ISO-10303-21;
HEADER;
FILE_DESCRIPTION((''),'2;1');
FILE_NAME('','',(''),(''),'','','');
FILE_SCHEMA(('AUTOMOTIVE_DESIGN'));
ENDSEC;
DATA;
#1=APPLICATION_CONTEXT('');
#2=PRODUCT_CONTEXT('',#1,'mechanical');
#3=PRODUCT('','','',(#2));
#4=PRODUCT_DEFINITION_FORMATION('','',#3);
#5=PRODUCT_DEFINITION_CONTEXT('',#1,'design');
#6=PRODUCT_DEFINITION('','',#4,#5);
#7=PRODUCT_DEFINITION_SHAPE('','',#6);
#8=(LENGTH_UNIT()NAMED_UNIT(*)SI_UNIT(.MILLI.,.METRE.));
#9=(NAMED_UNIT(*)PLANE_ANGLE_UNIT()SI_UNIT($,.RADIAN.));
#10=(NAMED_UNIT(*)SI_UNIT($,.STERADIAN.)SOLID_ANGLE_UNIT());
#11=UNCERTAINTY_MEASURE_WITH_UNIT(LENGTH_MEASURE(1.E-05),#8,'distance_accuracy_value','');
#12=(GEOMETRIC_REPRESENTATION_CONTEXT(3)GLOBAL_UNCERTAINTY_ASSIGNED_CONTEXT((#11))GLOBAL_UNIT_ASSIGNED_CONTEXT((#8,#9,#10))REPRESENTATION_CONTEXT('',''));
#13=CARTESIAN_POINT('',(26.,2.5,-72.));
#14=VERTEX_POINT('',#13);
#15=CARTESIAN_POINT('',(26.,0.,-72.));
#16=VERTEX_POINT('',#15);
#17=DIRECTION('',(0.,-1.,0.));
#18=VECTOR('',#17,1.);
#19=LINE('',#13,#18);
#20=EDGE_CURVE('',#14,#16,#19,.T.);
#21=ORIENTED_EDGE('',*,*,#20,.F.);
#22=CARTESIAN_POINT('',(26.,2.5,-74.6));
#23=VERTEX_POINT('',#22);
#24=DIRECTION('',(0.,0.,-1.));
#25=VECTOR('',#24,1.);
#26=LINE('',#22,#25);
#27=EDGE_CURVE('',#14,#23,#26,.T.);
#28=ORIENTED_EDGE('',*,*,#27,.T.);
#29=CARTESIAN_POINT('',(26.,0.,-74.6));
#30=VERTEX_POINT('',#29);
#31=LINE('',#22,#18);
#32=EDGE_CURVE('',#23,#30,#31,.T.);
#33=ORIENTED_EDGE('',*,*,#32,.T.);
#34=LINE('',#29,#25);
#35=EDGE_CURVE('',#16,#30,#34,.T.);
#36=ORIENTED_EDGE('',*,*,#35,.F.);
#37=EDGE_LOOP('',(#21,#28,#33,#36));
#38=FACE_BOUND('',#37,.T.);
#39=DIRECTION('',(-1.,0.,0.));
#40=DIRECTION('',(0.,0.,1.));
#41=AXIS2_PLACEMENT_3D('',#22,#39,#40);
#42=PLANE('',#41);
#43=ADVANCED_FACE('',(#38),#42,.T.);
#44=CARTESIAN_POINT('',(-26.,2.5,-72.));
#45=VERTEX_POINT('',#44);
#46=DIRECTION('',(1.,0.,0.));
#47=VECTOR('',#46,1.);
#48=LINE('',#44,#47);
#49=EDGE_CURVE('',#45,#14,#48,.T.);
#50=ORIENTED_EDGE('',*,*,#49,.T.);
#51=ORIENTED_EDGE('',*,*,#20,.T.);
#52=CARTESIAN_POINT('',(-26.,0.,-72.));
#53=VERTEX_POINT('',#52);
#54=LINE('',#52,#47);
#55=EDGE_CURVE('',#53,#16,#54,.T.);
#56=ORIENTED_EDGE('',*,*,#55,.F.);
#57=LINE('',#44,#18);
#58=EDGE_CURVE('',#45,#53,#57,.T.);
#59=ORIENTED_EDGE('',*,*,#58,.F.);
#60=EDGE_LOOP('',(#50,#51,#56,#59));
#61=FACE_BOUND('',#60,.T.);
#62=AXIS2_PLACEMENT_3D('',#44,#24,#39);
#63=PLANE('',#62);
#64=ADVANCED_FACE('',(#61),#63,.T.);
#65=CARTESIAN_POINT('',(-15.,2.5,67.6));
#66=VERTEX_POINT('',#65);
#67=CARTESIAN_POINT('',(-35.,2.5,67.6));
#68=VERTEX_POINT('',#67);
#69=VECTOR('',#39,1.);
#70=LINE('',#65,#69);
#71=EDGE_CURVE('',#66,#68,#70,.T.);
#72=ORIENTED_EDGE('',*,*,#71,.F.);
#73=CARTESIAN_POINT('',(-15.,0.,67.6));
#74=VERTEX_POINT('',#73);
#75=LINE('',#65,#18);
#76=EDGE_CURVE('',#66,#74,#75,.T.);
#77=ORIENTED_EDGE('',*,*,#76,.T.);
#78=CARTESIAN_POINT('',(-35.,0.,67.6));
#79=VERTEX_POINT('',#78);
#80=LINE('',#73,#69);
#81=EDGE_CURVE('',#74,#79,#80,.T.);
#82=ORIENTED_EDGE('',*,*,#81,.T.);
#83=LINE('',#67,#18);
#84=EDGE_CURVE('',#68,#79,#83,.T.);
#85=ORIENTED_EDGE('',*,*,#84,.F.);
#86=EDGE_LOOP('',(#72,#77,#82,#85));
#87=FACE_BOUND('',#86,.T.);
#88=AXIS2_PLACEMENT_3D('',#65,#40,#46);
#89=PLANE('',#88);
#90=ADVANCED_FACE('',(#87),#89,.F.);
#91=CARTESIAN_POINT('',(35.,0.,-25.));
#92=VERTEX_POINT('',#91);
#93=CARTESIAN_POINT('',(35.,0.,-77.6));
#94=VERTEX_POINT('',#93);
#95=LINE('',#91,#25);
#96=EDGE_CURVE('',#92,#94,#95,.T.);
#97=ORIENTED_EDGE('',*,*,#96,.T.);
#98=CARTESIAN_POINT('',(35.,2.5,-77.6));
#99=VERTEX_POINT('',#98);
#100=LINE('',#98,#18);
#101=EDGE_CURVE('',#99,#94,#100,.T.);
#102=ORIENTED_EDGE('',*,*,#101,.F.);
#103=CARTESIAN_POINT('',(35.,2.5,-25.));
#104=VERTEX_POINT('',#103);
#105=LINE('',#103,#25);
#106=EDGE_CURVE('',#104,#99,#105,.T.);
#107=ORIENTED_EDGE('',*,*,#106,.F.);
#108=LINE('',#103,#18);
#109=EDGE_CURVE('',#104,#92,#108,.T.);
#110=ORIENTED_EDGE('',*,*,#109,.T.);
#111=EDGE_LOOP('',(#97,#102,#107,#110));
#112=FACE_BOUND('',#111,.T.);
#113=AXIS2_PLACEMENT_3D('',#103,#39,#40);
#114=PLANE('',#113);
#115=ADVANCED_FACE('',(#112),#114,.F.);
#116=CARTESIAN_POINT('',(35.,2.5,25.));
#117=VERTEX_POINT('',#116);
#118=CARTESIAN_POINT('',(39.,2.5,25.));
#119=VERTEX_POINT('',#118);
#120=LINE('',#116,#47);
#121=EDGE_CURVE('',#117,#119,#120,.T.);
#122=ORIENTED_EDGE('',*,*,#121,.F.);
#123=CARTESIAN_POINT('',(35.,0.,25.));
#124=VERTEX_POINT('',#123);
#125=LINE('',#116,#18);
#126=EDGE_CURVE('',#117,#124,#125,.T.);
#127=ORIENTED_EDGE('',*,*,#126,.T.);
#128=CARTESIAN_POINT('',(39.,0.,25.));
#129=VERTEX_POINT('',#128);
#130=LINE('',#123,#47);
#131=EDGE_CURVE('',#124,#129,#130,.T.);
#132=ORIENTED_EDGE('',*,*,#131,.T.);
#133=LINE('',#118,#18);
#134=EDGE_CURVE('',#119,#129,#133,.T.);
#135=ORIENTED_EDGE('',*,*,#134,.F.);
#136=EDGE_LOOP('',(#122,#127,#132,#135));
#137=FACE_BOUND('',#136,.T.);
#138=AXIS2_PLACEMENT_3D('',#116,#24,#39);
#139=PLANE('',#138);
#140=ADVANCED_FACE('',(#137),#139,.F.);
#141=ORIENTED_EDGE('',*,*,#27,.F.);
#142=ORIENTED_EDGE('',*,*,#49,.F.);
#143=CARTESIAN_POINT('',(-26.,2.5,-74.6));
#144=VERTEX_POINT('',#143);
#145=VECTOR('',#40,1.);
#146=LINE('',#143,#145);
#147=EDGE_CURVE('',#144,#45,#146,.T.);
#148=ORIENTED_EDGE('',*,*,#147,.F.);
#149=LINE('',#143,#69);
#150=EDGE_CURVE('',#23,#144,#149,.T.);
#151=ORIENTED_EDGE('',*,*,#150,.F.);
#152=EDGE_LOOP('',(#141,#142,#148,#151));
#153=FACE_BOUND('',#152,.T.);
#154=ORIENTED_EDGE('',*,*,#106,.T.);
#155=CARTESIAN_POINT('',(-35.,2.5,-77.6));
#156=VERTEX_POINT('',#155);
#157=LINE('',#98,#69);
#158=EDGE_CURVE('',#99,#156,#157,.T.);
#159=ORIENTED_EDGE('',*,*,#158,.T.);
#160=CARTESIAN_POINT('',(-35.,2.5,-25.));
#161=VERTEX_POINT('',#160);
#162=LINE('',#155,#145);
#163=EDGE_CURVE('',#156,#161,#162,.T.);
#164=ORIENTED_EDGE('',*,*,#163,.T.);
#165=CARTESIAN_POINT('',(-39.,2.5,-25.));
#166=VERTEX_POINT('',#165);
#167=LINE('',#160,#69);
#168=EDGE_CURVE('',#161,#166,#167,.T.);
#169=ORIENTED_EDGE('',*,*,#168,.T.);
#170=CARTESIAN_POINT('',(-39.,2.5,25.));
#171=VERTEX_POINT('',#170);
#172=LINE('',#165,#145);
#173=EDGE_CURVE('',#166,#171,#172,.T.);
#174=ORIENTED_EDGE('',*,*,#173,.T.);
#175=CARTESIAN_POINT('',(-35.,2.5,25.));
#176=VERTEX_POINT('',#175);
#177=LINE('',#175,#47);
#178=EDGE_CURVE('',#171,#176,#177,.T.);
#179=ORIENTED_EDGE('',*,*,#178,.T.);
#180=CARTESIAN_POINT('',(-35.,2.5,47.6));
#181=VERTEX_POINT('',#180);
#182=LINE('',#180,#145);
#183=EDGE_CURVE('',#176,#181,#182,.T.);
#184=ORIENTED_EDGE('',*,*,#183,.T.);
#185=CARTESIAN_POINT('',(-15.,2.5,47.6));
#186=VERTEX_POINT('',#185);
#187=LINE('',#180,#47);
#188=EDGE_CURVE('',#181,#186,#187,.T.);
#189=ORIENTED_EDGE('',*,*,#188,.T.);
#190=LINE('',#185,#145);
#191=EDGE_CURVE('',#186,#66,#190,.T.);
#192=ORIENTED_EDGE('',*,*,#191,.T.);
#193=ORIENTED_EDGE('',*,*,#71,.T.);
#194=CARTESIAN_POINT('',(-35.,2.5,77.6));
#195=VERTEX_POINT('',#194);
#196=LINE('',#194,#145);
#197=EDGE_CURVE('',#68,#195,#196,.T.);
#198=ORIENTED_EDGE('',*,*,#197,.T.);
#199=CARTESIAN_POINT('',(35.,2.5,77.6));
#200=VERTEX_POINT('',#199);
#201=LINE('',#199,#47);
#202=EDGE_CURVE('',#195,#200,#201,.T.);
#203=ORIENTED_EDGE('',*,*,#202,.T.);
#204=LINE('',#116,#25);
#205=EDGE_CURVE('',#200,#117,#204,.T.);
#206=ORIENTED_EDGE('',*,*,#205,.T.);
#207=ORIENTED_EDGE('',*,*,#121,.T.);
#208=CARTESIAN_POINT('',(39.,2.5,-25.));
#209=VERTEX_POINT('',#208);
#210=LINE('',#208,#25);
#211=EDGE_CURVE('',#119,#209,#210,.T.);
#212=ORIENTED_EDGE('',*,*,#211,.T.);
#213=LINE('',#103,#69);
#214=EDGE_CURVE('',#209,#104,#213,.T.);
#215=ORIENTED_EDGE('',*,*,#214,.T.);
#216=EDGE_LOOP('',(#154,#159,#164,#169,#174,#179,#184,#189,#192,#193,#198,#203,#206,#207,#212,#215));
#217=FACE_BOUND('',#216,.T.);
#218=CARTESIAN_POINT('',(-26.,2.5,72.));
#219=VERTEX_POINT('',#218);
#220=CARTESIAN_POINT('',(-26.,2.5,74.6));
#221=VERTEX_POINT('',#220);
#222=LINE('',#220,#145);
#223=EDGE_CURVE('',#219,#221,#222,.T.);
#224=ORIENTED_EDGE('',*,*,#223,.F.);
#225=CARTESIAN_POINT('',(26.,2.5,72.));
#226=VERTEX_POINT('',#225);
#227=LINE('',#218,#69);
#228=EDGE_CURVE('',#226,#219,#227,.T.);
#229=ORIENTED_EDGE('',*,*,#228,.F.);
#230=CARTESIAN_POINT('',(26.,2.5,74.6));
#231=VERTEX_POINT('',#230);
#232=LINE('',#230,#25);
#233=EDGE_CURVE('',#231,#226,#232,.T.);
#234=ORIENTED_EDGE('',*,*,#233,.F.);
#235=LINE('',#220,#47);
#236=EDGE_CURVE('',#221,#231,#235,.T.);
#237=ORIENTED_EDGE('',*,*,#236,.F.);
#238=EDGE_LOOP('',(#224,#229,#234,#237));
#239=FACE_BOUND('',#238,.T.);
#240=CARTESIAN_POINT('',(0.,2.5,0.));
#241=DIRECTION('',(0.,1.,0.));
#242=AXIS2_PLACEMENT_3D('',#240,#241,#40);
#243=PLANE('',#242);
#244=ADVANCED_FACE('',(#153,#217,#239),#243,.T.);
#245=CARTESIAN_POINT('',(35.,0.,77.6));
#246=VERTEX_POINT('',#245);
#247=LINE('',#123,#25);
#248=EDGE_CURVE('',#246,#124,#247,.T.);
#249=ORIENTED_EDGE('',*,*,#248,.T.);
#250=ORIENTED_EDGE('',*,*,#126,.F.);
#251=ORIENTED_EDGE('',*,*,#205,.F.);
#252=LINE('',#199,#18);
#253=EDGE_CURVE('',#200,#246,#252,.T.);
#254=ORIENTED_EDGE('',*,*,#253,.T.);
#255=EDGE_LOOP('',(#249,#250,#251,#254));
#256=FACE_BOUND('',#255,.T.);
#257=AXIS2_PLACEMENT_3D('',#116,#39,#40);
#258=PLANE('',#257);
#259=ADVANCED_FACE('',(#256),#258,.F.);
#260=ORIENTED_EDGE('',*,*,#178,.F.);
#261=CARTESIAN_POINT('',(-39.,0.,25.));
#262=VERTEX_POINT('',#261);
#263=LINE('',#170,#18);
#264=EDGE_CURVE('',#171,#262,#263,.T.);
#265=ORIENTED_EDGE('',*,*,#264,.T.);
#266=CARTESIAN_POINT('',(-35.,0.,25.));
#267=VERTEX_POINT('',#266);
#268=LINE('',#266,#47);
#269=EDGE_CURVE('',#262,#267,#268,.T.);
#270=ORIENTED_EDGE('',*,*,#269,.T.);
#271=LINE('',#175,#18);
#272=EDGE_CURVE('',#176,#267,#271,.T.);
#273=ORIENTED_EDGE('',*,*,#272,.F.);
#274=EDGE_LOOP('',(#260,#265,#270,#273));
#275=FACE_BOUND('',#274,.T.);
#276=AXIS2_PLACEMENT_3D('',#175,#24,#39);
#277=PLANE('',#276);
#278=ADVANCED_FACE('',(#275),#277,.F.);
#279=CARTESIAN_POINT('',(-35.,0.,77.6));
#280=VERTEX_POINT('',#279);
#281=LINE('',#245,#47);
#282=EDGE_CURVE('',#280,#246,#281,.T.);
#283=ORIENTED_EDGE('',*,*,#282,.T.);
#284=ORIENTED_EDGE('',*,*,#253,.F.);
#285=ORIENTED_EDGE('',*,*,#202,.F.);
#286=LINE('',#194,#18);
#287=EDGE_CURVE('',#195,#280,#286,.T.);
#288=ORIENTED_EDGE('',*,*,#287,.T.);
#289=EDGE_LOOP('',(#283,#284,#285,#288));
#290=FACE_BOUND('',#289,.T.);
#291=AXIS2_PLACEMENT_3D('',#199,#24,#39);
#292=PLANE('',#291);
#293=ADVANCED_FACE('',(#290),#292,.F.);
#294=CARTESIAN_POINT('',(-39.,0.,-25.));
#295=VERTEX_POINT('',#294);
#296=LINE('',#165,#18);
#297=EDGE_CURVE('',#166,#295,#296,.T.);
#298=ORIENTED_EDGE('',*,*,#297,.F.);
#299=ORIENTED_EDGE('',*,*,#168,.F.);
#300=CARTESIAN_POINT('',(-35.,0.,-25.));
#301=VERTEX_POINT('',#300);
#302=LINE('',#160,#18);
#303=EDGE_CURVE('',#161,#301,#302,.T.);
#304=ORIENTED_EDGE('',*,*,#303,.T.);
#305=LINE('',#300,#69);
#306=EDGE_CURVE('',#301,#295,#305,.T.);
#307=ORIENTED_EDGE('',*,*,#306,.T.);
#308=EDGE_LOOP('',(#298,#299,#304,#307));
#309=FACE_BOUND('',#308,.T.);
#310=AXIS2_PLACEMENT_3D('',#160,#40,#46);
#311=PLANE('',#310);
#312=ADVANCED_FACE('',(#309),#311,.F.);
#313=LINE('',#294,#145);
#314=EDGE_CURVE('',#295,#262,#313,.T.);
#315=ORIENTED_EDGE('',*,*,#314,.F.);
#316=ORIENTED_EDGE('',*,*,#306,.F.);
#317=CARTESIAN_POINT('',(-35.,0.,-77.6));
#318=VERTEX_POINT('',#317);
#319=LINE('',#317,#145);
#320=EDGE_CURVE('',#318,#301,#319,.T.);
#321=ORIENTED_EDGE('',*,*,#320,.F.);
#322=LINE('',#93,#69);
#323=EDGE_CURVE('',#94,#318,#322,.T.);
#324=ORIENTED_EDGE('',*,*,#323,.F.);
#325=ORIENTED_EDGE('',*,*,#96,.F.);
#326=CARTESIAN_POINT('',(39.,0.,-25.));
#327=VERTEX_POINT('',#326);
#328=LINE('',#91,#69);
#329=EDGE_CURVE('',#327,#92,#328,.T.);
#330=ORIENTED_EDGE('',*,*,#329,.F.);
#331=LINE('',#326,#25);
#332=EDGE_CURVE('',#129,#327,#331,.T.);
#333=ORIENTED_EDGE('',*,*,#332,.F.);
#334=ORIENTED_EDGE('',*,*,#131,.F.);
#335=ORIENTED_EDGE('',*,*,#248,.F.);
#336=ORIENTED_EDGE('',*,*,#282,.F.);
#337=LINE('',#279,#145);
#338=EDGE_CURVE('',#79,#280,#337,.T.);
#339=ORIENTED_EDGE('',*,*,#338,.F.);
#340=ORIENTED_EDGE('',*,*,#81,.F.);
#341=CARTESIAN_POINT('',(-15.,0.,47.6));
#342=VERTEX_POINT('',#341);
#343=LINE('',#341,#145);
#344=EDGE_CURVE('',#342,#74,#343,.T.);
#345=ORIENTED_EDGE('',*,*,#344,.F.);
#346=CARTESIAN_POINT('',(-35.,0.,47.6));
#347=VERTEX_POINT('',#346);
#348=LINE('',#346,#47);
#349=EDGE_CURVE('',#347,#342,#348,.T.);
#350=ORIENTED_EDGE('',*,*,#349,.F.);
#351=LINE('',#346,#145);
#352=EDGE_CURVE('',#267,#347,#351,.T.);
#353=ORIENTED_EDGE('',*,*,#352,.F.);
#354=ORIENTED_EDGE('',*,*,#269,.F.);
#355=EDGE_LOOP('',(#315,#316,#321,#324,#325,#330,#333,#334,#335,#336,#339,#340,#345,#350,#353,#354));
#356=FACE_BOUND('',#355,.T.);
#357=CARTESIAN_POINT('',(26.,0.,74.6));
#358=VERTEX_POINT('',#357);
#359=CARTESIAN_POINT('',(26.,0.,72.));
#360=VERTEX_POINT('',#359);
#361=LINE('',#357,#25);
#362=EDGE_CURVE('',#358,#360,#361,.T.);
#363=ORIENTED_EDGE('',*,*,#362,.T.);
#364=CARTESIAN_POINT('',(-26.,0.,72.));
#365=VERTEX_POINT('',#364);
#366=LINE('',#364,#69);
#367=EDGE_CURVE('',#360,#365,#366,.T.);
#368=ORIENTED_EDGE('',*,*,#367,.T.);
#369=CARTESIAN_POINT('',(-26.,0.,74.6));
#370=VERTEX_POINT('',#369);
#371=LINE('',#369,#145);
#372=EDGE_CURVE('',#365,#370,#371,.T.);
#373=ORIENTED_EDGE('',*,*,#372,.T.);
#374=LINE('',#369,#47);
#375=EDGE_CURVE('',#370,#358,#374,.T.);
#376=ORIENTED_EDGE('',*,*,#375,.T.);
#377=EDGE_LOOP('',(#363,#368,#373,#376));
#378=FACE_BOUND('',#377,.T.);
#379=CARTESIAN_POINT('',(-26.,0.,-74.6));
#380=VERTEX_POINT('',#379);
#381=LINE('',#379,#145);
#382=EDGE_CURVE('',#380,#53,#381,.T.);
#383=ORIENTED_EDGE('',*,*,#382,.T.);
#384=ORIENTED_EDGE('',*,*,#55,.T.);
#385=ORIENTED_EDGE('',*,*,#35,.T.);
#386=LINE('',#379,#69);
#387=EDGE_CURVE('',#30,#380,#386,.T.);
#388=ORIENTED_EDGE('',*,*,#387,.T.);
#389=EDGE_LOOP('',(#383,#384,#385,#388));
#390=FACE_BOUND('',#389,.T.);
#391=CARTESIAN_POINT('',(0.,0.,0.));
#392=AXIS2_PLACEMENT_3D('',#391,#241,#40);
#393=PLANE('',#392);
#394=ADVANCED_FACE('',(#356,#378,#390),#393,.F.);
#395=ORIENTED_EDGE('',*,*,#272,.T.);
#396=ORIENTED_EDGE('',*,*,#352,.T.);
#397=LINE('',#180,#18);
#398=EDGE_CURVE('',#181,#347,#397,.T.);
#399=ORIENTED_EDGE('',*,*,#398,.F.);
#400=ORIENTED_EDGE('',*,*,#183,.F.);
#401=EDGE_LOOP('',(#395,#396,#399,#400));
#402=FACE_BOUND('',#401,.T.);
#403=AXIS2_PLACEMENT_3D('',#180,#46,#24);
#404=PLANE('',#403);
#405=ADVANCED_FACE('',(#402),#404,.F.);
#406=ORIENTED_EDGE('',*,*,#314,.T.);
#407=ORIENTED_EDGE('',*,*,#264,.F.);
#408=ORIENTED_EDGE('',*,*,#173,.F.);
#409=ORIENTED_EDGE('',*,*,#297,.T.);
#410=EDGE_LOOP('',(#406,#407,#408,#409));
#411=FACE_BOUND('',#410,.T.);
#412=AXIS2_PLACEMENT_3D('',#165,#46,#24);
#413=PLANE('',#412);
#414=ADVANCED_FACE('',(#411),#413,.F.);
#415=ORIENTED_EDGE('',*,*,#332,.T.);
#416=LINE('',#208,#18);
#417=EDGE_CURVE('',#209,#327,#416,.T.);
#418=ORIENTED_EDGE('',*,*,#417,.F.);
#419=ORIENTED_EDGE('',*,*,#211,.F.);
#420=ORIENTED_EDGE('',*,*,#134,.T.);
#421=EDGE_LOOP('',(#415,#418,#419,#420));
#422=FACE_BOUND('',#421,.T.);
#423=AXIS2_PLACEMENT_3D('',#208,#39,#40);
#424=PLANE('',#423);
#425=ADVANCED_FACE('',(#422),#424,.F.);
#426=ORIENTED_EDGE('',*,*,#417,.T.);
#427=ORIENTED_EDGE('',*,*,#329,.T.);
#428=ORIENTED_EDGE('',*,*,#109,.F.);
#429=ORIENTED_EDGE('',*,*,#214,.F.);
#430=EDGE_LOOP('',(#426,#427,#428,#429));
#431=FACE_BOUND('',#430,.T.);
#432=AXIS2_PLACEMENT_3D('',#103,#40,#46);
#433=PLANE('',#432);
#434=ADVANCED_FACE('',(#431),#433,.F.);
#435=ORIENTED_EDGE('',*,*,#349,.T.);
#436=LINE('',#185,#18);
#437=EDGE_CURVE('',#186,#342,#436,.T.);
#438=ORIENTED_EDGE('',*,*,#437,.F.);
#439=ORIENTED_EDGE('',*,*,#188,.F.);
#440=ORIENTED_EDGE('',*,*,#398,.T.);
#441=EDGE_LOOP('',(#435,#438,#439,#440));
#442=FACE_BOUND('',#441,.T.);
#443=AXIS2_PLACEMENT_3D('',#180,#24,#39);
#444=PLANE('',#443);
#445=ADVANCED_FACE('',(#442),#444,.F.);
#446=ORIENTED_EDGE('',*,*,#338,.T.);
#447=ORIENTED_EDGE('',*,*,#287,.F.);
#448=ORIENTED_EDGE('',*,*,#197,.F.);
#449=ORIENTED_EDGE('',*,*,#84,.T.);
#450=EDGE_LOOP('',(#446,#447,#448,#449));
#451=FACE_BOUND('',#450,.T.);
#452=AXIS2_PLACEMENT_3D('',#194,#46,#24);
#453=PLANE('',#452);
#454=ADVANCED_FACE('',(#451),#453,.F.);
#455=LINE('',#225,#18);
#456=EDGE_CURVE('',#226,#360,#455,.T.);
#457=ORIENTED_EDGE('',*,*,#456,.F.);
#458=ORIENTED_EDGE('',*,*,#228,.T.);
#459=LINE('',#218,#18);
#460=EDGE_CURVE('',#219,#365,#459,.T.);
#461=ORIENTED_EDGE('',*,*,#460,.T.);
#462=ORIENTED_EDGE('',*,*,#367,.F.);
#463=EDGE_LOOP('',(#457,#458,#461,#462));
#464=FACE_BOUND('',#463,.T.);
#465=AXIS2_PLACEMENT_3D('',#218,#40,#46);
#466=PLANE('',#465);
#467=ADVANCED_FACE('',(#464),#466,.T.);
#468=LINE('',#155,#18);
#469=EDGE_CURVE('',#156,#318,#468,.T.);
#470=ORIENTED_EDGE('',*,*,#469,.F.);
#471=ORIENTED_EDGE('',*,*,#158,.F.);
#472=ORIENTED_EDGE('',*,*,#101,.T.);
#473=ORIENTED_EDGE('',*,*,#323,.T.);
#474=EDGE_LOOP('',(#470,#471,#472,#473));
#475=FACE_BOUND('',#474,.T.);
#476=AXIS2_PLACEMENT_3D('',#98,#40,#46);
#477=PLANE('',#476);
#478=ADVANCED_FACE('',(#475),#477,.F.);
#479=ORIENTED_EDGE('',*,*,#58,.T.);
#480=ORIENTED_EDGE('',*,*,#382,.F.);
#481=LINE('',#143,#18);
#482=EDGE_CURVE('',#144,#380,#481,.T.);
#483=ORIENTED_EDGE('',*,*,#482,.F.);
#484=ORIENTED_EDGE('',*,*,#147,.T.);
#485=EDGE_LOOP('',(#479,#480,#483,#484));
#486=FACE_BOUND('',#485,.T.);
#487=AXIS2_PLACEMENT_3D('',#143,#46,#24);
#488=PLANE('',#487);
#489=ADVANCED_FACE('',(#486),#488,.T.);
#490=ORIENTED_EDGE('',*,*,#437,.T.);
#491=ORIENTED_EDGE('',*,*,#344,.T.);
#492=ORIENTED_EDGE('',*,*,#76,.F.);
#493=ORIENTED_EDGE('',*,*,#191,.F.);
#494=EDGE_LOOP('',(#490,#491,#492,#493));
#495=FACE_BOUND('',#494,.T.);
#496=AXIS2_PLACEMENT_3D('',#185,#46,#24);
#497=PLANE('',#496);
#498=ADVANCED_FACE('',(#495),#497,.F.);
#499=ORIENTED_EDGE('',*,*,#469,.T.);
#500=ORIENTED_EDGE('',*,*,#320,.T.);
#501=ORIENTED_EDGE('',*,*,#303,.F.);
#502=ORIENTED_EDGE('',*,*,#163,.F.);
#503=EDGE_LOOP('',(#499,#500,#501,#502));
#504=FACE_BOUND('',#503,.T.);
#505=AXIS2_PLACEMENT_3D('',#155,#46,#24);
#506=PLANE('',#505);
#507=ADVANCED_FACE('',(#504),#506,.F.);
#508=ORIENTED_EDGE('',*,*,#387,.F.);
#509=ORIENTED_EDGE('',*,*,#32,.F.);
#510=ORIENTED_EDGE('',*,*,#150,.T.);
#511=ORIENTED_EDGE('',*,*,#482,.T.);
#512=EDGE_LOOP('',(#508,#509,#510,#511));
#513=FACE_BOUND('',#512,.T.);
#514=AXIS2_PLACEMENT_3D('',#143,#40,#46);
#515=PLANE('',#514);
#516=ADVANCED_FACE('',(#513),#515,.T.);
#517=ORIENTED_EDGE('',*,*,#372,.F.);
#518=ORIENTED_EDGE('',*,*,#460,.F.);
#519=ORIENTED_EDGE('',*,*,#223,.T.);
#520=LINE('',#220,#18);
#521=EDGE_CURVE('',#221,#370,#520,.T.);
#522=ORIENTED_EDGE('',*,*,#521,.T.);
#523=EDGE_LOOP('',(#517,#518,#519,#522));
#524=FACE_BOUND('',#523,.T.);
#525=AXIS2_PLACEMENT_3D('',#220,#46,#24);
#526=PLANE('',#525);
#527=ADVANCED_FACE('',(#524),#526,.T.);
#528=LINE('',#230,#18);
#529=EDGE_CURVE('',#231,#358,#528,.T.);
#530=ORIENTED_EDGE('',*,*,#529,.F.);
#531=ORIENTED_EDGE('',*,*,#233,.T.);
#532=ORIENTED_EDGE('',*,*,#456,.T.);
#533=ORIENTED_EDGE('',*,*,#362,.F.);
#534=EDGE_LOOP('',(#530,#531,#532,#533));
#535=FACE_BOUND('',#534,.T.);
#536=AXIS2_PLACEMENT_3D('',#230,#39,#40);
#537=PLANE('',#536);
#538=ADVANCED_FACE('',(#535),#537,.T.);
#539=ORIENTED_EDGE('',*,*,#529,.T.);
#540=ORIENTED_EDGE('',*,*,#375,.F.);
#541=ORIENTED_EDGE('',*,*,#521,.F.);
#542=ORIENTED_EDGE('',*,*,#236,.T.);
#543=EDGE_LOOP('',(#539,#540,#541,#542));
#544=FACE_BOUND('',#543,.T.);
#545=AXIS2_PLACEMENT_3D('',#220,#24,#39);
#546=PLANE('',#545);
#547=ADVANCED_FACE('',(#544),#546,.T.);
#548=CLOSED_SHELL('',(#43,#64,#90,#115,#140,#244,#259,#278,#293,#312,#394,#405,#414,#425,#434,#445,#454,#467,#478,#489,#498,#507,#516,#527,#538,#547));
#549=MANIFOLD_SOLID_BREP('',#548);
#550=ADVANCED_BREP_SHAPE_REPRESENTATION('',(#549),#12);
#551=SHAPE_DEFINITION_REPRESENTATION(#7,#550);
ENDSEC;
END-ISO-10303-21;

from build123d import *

# Parameters (mm, degrees)
SKETCH2_W           = 52
SKETCH2_H           = 2.6
BOSS_EXTRUDE1_DEPTH = 2.5


with BuildPart() as part:
    # Sketch2 → Boss-Extrude1 (new body)
    with BuildSketch(Plane(origin=(0, 0, 0), x_dir=(1, 0, 0), z_dir=(0, 1, 0))):
        Polygon((35, 25), (35, 77.6), (-35, 77.6), (-35, 25), (-39, 25), (-39, -25), (-35, -25), (-35, -47.6), (-15, -47.6), (-15, -67.6), (-35, -67.6), (-35, -77.6), (35, -77.6), (35, -25), (39, -25), (39, 25), align=None)
        with Locations((0, 73.3)):
            Rectangle(SKETCH2_W, SKETCH2_H, mode=Mode.SUBTRACT)
        with Locations((0, -73.3)):
            Rectangle(SKETCH2_W, SKETCH2_H, mode=Mode.SUBTRACT)
    extrude(amount=BOSS_EXTRUDE1_DEPTH)


solid = part.part
